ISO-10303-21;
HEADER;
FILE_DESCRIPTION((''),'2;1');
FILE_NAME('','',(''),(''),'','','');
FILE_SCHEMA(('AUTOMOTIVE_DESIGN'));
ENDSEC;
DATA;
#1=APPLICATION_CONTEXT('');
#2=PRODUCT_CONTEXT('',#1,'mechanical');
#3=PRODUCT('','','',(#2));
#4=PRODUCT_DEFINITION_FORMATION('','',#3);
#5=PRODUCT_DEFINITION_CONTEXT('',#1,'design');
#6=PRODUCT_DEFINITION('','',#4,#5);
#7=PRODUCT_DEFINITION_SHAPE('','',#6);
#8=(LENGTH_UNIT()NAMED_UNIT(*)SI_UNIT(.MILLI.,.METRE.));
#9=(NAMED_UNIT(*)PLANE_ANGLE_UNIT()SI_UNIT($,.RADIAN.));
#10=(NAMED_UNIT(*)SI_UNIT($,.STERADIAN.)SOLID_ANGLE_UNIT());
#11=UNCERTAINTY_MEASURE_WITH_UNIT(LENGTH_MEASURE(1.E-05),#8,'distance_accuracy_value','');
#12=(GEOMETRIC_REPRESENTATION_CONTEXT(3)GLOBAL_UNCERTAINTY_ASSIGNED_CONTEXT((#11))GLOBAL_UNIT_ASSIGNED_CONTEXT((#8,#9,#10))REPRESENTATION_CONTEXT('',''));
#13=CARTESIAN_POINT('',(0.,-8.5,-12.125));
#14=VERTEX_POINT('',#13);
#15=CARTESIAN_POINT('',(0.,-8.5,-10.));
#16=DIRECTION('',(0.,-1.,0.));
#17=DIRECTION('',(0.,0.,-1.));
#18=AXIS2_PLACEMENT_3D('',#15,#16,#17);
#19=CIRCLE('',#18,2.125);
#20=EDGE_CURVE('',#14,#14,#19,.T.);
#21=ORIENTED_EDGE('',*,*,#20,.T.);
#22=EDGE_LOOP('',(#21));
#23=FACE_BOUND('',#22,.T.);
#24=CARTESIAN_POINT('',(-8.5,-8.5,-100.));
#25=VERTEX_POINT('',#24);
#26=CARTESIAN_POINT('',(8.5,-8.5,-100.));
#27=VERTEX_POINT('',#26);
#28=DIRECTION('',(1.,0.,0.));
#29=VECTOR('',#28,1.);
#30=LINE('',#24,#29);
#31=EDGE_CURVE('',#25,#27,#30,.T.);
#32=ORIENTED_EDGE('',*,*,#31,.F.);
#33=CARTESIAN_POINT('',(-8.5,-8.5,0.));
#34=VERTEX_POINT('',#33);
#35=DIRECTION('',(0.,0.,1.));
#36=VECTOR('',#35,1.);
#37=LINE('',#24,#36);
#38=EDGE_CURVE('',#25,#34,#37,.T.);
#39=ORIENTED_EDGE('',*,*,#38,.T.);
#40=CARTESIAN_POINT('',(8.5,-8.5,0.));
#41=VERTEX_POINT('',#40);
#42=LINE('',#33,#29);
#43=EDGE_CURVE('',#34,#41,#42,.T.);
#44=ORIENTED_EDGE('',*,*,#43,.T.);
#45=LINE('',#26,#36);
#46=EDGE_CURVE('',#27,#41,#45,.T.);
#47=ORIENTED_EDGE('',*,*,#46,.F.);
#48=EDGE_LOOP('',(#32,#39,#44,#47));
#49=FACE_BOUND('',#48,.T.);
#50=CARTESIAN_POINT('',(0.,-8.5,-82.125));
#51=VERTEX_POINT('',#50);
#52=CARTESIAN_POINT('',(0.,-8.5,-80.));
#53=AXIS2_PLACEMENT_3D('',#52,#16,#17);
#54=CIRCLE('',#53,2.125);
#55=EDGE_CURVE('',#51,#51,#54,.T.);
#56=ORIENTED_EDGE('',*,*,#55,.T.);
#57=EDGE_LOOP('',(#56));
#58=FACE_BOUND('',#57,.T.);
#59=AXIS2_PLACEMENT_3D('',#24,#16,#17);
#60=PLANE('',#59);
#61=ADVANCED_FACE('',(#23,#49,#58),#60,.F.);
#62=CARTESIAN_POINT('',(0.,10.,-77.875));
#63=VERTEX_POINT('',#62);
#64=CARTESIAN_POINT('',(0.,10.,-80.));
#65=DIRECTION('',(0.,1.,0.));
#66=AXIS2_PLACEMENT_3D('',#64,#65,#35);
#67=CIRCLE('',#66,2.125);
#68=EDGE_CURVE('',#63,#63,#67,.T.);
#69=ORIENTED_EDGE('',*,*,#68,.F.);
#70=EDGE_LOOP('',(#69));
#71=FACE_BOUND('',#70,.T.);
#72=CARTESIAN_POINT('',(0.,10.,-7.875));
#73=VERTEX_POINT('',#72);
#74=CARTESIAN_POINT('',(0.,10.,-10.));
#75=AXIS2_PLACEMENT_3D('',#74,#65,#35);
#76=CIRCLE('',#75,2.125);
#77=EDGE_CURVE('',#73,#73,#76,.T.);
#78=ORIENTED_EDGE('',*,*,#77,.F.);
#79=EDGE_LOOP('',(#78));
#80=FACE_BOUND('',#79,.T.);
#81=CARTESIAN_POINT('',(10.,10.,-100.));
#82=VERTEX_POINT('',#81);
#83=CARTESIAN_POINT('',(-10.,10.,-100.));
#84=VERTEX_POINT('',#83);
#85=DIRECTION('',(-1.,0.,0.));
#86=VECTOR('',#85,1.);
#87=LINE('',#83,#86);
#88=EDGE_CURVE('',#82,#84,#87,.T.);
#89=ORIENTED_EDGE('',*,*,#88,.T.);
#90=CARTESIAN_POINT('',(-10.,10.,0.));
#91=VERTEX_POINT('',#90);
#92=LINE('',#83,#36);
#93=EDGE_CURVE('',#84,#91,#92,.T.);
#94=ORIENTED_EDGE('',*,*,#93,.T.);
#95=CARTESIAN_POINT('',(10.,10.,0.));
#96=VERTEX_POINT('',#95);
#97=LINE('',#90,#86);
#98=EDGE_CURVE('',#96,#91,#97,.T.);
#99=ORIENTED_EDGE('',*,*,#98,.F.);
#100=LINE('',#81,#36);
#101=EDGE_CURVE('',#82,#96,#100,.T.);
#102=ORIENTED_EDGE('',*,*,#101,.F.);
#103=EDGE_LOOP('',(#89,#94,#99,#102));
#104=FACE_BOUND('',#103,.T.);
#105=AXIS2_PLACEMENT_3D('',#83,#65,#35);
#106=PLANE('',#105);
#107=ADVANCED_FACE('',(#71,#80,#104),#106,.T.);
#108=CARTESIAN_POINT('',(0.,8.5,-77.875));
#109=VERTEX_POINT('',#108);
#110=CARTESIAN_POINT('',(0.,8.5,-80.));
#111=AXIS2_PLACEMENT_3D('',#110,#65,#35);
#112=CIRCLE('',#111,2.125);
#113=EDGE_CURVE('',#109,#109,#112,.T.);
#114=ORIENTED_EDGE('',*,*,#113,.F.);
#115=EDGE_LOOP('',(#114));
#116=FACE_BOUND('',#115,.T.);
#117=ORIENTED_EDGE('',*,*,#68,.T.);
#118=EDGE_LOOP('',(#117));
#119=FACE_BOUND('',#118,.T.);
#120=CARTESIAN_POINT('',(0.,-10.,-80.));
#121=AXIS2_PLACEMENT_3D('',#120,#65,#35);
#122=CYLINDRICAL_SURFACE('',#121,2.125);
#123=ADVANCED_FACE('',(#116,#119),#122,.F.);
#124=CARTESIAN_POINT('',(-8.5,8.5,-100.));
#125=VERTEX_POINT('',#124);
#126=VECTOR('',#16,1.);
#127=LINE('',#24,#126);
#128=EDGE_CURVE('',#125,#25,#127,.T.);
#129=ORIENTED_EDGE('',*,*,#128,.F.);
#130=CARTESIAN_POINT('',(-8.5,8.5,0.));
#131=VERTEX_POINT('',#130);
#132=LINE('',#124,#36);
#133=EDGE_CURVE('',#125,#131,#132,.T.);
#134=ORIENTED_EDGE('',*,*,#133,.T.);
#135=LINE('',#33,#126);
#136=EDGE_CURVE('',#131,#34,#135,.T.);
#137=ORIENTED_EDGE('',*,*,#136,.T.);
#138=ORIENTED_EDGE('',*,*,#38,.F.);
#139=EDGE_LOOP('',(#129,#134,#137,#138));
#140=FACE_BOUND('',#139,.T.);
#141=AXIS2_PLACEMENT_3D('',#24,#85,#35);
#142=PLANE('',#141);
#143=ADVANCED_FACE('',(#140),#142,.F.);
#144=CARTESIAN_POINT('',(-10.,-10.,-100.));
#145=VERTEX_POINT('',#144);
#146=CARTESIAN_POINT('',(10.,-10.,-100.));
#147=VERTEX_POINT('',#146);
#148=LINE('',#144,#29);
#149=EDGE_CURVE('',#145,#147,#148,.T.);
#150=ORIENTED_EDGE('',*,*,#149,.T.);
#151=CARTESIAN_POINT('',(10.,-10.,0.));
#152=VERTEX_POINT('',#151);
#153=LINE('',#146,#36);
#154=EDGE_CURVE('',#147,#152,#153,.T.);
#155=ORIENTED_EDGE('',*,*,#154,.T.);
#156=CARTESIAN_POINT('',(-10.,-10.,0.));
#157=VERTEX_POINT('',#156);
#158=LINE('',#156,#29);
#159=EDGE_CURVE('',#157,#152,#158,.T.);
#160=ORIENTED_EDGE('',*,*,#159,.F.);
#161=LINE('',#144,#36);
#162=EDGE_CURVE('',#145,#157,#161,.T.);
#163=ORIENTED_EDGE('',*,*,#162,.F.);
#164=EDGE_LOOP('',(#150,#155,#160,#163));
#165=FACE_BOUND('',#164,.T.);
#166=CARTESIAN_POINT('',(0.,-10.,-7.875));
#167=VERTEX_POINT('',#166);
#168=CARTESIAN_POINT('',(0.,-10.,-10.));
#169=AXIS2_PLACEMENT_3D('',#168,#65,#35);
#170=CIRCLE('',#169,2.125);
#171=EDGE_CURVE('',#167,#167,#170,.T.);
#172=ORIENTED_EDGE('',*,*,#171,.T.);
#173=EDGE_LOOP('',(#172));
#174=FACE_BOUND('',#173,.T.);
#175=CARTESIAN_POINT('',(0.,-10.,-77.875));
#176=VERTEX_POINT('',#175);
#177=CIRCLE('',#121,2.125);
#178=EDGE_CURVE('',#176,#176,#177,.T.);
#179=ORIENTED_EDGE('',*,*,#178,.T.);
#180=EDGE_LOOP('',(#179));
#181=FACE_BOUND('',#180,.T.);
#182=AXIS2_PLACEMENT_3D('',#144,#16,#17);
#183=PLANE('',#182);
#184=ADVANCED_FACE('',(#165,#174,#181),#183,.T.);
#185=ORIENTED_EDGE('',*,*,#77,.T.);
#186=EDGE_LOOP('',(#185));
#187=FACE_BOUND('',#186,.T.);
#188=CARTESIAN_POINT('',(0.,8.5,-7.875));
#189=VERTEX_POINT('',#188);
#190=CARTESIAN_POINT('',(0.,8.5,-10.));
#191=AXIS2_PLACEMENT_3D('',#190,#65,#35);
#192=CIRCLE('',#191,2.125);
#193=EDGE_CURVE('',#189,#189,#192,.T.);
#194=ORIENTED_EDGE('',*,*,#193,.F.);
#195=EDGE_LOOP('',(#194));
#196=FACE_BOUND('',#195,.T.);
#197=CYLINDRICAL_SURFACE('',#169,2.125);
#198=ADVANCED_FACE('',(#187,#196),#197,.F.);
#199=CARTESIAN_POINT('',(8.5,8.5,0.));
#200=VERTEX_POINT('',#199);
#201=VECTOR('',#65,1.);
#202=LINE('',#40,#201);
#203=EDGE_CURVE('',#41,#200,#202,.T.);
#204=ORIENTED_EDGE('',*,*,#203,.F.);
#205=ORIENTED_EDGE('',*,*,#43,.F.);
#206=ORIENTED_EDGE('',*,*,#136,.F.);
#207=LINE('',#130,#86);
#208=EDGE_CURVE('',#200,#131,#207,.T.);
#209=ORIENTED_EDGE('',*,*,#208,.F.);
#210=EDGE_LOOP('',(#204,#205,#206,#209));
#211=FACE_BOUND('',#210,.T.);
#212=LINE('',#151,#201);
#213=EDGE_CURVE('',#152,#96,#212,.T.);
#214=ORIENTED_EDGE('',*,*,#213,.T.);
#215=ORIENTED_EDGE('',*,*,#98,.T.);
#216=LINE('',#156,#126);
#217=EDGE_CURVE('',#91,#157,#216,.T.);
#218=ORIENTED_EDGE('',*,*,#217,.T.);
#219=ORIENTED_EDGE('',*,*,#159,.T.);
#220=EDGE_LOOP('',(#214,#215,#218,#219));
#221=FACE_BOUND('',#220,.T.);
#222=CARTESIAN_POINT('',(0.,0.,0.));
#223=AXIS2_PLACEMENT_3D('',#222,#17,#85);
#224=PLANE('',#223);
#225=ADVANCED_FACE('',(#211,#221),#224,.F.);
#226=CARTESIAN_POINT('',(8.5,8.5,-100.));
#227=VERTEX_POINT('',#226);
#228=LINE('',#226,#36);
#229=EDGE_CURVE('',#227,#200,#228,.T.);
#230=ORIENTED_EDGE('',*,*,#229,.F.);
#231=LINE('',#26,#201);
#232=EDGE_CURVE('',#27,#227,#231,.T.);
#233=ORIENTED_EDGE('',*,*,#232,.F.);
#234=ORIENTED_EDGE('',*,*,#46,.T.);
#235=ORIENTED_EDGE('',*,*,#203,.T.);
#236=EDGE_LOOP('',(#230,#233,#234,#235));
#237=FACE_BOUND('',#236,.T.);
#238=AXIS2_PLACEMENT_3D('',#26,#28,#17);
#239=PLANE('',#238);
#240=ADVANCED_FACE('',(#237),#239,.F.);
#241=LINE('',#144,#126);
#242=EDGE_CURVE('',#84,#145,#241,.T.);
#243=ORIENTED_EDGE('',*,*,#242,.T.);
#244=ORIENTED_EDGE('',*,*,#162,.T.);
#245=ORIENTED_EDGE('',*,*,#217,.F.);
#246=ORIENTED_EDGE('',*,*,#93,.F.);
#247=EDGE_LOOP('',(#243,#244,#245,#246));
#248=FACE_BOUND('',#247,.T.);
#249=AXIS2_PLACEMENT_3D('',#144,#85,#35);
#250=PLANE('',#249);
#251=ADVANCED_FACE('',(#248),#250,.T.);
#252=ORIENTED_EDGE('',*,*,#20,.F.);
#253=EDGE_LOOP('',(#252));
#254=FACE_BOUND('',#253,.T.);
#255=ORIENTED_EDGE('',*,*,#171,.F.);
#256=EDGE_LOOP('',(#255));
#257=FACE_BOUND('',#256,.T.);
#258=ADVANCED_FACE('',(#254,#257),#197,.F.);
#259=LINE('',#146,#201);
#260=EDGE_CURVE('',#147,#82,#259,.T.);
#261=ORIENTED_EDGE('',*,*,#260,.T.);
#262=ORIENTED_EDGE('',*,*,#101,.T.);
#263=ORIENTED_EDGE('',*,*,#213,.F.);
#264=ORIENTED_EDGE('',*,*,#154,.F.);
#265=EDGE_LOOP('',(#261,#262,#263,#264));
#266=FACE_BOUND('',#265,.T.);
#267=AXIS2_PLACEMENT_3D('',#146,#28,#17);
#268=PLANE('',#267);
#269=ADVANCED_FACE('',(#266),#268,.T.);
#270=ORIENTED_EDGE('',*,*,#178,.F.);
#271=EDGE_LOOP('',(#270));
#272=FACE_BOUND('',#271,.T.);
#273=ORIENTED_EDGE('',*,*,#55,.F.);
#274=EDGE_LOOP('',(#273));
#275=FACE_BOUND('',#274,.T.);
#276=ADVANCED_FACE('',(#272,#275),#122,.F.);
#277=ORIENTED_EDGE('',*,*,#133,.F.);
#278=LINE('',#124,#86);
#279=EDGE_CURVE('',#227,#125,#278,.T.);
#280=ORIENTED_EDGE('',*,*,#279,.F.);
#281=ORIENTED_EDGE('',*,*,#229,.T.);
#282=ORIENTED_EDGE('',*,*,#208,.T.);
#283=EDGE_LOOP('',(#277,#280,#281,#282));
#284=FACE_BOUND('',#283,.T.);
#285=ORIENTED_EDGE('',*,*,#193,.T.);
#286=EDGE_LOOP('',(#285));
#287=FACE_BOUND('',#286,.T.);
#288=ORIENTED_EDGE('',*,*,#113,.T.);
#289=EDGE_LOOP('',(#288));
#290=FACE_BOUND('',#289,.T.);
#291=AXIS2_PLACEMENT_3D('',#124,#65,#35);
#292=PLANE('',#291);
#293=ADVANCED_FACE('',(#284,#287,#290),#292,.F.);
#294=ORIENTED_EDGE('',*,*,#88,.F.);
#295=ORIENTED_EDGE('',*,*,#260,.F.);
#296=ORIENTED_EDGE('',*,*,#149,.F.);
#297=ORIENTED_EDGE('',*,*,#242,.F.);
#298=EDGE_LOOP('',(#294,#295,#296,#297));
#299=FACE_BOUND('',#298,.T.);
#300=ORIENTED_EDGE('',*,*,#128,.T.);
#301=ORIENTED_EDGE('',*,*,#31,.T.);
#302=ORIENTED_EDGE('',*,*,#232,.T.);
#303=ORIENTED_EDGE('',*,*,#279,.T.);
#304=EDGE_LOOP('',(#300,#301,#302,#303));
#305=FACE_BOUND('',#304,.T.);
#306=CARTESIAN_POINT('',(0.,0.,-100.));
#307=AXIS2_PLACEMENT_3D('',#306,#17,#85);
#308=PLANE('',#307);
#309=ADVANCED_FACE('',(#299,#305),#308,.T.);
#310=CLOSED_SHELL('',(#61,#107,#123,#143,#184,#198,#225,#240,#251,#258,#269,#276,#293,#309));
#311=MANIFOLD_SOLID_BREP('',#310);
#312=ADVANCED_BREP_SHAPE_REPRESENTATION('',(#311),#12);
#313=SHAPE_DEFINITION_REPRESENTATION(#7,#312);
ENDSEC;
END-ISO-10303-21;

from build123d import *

# Parameters (mm, degrees)
SKETCH1_W           = 20
SKETCH1_H           = 20
SKETCH1_W_2         = 17
SKETCH1_H_2         = 17
BOSS_EXTRUDE1_DEPTH = 100
SKETCH2_R           = 2.125
CUT_EXTRUDE1_DEPTH  = 103.46950766


with BuildPart() as part:
    # Sketch1 → Boss-Extrude1 (new body)
    with BuildSketch(Plane.XY):
        Rectangle(SKETCH1_W, SKETCH1_H)
        Rectangle(SKETCH1_W_2, SKETCH1_H_2, mode=Mode.SUBTRACT)
    extrude(amount=-BOSS_EXTRUDE1_DEPTH)

    # Sketch2 → Cut-Extrude1 (cut, through all)
    with BuildSketch(Plane(origin=(0, 10, 0), x_dir=(1, 0, 0), z_dir=(0, 1, 0))):
        with Locations(Location((0, 10, 0), (0, 0, 270))):
            Circle(SKETCH2_R)
        with Locations(Location((0, 80, 0), (0, 0, 270))):
            Circle(SKETCH2_R)
        with Locations((0, 150)):
            Circle(SKETCH2_R)
    extrude(amount=-CUT_EXTRUDE1_DEPTH, mode=Mode.SUBTRACT)


solid = part.part
